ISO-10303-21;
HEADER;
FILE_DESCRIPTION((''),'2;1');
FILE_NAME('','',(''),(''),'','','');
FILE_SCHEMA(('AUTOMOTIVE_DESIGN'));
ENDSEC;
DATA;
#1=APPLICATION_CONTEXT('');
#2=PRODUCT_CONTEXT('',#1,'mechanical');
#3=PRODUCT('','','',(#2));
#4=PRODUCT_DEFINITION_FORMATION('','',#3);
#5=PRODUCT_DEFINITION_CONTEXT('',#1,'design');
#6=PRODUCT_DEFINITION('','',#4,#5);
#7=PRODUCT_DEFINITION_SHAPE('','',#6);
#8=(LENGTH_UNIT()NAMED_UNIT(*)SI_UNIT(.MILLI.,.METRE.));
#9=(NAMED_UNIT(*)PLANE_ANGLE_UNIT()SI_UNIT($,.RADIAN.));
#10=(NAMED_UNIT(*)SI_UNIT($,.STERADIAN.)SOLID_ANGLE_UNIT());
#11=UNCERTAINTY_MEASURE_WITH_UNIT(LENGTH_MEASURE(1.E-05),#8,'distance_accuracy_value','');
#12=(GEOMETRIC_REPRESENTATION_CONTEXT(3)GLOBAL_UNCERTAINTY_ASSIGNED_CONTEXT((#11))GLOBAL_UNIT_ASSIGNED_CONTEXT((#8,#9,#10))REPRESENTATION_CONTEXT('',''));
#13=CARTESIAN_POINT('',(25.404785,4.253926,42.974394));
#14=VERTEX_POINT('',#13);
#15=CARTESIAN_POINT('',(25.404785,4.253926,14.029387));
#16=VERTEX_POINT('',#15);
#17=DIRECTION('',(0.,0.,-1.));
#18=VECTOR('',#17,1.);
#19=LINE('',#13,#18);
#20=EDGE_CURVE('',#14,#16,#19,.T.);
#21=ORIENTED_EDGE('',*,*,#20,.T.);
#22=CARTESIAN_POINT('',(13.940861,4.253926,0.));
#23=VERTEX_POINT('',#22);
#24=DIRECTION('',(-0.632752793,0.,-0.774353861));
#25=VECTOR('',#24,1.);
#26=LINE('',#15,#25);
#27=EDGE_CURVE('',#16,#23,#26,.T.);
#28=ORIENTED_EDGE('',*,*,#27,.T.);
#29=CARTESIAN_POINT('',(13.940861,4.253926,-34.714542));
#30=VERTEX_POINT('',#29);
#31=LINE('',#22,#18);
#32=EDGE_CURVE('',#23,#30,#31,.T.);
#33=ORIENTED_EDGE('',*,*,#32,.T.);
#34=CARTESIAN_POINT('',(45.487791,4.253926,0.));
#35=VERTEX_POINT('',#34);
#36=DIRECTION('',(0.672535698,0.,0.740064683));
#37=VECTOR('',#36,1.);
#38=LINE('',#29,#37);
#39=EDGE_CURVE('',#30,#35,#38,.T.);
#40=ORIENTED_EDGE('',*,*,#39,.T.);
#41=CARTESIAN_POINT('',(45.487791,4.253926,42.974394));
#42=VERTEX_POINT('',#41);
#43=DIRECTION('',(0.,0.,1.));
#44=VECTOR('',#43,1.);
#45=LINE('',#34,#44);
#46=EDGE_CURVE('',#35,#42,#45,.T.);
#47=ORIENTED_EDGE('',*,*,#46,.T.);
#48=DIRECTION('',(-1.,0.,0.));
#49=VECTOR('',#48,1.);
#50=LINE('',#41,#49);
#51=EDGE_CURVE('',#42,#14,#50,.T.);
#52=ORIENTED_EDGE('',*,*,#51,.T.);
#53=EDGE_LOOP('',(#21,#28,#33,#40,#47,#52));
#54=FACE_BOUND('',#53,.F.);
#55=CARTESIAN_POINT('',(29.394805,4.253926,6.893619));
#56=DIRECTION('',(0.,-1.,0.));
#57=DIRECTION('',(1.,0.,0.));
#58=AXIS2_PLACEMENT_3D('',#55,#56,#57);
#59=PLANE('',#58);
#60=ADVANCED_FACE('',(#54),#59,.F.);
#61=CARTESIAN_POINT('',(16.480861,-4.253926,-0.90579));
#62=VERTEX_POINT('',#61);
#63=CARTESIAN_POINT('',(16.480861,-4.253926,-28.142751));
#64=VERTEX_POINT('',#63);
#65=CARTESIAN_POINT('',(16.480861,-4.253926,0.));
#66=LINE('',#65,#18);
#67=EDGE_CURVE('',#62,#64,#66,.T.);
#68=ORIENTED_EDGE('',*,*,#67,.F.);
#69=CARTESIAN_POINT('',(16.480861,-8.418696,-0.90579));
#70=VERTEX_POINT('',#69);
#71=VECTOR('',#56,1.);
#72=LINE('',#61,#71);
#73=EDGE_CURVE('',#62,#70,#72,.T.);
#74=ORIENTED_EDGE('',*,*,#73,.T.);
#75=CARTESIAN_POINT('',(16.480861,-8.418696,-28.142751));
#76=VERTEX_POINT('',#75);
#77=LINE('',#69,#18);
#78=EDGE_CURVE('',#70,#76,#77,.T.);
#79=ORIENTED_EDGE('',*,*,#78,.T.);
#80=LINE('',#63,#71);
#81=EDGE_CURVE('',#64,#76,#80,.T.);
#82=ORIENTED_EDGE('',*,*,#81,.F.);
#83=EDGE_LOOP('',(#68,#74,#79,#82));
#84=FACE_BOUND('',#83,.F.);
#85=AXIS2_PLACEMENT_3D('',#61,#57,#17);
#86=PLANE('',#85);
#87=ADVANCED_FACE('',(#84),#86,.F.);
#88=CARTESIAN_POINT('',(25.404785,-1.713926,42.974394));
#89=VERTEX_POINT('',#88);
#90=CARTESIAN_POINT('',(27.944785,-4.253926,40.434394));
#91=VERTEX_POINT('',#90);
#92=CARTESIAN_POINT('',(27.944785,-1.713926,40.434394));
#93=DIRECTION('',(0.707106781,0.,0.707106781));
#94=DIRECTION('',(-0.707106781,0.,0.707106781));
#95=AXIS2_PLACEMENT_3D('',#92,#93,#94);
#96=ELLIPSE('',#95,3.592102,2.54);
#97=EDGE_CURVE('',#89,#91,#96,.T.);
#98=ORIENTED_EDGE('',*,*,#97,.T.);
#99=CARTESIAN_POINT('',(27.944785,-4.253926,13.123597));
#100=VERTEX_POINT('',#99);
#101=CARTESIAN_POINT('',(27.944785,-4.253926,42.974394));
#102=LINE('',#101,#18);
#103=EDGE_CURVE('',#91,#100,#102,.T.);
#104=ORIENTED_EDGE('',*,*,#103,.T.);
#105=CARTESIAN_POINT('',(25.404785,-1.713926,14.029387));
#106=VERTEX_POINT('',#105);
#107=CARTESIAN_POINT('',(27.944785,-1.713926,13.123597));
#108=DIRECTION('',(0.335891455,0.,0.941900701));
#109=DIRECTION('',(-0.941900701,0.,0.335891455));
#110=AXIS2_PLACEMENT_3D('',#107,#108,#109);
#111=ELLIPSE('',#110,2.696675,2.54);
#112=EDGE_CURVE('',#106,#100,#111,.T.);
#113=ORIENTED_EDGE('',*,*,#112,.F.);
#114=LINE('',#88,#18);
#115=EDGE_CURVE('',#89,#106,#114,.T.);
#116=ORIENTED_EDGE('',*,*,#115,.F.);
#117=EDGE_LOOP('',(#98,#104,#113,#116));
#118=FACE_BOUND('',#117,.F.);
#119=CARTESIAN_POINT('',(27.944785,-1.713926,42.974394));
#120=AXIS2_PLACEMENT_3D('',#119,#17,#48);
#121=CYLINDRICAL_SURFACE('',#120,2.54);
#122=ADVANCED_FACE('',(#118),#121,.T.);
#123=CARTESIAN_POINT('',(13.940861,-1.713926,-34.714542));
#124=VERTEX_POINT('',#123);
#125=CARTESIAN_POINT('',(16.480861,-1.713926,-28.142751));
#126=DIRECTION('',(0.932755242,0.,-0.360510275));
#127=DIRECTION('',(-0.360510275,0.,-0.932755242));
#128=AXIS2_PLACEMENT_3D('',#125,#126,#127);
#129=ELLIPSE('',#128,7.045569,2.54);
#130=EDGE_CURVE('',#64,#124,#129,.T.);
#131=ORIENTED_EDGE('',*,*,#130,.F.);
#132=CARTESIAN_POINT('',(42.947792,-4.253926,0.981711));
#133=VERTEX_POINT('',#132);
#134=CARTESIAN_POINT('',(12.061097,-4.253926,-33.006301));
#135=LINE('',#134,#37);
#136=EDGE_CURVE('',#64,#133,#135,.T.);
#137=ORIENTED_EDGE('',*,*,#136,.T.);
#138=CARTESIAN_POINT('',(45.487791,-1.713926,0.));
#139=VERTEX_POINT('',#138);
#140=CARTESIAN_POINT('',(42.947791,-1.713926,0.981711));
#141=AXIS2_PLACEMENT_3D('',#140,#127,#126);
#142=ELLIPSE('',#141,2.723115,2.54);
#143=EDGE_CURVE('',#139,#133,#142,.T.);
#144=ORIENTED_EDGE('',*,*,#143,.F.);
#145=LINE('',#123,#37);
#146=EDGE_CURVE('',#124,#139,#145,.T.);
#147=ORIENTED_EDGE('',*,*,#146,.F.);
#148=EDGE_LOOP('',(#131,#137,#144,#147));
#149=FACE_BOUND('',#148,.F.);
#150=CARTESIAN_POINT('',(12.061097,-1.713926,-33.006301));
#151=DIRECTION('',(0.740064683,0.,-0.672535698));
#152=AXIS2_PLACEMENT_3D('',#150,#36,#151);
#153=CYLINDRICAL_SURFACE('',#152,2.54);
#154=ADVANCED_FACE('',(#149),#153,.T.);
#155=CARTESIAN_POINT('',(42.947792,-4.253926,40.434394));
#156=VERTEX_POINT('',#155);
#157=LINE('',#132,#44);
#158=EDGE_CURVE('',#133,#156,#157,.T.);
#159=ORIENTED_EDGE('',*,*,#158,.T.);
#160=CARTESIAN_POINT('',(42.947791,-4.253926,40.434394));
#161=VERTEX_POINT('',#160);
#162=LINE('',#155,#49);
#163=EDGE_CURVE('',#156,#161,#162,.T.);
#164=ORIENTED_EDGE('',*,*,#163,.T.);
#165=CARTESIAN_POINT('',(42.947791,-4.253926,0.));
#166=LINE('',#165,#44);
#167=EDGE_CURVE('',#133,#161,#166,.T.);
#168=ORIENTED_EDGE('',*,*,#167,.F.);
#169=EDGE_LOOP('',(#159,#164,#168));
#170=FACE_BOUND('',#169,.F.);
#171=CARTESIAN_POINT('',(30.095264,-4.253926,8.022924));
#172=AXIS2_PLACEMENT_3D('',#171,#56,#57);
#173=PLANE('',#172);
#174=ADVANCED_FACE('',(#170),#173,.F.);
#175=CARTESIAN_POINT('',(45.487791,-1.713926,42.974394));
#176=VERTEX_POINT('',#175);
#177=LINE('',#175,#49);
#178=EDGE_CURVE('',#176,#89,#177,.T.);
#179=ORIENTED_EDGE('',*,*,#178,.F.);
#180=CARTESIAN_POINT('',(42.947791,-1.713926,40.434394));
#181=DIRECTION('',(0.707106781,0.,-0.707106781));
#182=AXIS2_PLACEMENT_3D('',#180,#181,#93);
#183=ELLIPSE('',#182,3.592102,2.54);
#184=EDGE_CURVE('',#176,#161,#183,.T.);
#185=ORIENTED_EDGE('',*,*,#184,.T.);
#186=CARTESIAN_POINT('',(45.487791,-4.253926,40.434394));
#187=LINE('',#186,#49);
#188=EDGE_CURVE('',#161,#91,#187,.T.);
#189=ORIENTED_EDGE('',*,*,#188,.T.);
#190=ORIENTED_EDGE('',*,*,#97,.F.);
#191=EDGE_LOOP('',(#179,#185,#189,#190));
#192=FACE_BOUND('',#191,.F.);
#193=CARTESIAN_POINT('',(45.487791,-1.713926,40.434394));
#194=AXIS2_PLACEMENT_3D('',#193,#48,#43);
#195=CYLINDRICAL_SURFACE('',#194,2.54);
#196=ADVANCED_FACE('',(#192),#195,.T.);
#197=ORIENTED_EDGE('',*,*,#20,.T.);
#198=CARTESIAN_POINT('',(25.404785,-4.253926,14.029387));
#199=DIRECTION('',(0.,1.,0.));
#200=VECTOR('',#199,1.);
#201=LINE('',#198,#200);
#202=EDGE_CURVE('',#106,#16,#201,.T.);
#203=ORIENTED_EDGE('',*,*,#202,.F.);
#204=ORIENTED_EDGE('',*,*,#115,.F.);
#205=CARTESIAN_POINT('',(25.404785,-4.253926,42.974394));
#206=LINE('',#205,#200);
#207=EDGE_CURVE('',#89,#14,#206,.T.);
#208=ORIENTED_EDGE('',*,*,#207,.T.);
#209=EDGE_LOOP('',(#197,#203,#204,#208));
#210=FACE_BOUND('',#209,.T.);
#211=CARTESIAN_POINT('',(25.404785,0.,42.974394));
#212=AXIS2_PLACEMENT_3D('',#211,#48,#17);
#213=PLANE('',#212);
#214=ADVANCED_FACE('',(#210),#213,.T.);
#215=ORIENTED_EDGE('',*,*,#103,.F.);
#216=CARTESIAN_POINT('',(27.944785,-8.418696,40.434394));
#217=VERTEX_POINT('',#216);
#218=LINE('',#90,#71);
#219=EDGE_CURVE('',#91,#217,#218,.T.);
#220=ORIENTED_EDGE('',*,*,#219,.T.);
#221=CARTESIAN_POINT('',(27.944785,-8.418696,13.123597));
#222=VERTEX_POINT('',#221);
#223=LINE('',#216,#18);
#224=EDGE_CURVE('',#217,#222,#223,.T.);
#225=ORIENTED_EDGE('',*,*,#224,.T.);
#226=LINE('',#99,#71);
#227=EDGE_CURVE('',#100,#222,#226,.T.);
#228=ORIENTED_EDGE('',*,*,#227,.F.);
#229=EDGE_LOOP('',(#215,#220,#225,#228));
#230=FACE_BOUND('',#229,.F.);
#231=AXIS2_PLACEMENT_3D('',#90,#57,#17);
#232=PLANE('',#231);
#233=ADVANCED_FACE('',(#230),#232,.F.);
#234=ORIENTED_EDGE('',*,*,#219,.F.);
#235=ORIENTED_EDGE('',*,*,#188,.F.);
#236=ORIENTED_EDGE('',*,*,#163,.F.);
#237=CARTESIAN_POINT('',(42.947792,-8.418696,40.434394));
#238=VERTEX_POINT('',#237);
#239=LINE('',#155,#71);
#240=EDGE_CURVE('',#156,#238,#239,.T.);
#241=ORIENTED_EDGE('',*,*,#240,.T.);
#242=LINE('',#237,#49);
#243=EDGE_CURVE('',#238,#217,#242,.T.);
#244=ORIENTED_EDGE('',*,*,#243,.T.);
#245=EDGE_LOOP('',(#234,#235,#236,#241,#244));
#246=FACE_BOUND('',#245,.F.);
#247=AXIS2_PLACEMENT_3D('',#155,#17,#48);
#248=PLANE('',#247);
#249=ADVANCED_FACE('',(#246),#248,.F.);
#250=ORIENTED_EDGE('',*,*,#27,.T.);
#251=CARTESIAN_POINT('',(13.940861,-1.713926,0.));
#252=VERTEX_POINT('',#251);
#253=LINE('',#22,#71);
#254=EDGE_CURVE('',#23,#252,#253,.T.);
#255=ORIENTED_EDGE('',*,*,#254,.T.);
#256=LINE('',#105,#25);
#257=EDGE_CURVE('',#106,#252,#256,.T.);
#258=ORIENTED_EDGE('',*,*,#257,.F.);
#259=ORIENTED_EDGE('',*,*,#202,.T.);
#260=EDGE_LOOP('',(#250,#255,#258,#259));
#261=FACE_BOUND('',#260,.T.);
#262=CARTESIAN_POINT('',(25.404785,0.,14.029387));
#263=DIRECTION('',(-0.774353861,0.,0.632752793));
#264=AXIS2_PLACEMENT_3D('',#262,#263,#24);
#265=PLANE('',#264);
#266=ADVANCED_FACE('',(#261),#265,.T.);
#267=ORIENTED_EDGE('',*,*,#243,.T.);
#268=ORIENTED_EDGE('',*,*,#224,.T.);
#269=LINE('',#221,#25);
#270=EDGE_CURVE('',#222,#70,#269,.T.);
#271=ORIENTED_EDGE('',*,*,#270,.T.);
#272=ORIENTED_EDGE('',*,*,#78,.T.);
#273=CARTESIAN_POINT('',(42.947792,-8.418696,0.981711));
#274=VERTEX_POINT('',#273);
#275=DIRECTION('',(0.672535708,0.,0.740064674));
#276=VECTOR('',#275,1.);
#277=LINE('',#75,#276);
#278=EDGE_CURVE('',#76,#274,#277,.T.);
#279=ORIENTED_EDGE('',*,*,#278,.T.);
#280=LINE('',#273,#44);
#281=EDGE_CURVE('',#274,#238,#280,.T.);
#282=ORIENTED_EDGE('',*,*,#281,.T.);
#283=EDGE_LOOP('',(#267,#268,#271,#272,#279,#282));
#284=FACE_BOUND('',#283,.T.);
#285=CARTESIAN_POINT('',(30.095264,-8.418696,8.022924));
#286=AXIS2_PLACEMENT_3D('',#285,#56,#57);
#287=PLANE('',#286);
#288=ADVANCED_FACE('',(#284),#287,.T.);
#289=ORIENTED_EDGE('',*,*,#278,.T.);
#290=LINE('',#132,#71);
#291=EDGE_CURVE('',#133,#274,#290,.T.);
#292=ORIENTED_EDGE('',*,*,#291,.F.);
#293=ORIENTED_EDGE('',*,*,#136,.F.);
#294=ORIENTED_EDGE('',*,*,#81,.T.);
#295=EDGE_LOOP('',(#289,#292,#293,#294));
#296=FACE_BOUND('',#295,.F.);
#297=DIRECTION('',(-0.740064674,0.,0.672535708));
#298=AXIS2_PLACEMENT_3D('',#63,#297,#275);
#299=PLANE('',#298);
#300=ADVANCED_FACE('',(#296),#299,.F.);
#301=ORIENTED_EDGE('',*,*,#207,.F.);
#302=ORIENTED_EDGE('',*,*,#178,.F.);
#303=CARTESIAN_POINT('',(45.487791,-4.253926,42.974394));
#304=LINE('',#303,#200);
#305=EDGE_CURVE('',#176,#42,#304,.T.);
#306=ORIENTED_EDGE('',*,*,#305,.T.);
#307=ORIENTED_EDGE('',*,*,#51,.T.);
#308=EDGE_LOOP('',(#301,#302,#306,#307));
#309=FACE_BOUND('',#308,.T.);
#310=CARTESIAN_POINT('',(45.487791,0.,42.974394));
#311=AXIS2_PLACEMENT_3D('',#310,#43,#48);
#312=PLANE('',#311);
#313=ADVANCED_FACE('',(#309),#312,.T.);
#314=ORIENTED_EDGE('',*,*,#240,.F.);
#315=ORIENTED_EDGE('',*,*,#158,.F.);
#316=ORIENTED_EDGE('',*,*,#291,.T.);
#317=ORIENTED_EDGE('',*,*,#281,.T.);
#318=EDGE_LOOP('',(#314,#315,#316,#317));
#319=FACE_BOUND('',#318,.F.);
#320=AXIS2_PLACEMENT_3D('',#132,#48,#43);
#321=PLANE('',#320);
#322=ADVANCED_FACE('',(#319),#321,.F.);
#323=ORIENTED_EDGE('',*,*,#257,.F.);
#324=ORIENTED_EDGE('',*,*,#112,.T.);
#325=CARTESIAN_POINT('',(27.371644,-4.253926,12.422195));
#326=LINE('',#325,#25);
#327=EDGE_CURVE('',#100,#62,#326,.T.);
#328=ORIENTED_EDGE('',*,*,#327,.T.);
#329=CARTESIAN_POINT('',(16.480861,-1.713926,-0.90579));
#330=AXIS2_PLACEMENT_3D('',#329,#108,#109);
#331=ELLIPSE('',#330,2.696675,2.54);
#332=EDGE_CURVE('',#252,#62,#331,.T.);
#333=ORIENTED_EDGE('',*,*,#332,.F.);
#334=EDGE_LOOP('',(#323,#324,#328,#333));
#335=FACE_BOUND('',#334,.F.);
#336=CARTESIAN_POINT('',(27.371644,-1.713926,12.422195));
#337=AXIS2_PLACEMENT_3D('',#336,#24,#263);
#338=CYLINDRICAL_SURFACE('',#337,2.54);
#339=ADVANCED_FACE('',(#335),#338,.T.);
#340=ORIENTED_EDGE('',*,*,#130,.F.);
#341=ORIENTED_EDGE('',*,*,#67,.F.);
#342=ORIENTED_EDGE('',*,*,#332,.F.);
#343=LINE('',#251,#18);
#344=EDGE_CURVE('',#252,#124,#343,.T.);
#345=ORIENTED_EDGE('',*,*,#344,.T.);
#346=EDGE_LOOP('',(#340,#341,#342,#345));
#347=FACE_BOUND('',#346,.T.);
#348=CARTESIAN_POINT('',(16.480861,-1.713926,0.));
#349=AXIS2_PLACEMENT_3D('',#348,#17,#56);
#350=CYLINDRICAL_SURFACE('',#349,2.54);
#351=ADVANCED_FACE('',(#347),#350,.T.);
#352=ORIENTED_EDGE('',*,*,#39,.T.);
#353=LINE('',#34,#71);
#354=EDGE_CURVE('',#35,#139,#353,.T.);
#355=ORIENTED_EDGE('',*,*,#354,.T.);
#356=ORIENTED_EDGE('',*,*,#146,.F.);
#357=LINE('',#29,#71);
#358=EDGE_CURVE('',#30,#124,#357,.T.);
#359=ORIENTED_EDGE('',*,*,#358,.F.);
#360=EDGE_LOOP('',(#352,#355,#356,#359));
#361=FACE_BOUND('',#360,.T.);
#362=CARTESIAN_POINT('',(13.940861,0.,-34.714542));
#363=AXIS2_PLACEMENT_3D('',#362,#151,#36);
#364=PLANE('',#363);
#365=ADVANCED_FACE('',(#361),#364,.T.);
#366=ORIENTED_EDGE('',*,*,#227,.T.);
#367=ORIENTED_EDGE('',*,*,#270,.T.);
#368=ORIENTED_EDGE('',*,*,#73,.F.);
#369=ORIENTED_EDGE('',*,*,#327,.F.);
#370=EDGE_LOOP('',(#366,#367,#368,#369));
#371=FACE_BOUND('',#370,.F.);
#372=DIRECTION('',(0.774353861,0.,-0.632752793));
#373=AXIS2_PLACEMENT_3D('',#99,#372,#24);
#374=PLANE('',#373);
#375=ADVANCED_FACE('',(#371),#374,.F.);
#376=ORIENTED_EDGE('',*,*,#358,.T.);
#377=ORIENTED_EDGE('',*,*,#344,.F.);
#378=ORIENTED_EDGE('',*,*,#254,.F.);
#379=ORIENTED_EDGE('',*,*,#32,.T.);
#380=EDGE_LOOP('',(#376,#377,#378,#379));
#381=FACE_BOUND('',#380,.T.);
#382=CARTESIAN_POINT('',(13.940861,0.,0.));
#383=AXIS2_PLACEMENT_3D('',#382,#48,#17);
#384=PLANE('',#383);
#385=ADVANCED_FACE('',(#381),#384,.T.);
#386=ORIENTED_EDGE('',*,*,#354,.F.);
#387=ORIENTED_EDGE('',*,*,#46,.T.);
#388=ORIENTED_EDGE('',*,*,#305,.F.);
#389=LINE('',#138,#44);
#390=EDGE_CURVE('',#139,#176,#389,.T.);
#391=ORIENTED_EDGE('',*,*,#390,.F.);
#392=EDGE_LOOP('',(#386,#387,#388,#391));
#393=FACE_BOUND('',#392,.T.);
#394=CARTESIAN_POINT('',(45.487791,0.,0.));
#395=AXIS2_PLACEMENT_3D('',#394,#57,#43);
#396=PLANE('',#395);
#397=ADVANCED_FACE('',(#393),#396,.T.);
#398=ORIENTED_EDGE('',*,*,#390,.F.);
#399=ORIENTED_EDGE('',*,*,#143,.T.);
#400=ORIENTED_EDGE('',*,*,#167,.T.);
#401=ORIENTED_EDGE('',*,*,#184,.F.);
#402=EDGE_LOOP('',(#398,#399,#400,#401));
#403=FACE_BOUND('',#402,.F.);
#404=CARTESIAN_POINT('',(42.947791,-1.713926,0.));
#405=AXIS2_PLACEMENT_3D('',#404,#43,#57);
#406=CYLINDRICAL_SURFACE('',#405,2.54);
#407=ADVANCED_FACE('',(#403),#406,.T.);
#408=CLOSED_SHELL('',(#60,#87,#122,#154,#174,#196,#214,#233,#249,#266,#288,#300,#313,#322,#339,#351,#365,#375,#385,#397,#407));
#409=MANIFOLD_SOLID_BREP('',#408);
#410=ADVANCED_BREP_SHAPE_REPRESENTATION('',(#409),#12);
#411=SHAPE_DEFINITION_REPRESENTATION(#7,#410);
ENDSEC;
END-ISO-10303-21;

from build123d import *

# Parameters (mm, degrees)
F1_DEPTH = 4.253926
F2_R     = 2.54
F3_DEPTH = 4.16477


with BuildPart() as f1:
    # F0 (on Front) → F1 (new body, symmetric)
    with BuildSketch(Plane.XZ):
        Polygon((25.404785, 14.029387), (13.940861, 0), (13.940861, -34.714542), (45.487791, 0), (45.487791, 42.974394), (25.404785, 42.974394), align=None)
    extrude(amount=F1_DEPTH, both=True)

    # F2
    f2_edges = [f1.edges().sort_by_distance(p)[0] for p in [
        (19.672823, -4.253926, 7.014694),
        (13.940861, -4.253926, -17.357271),
        (29.714326, -4.253926, -17.357271),
        (45.487791, -4.253926, 21.487197),
        (35.446288, -4.253926, 42.974394),
        (25.404785, -4.253926, 28.501891),
    ]]
    fillet(f2_edges, radius=F2_R)

    # F1_face (on face) → F3 (join)
    with BuildSketch(Plane(origin=(31.070742, -4.253926, 8.875899), x_dir=(1, 0, 0), z_dir=(0, -1, 0))):
        Polygon((-3.125957, 4.247698), (-14.589881, -9.781689), (-14.589881, -37.01865), (11.87705, -7.894188), (11.87705, 31.558495), (-3.125957, 31.558495), align=None)
    extrude(amount=F3_DEPTH)


solid = f1.part
